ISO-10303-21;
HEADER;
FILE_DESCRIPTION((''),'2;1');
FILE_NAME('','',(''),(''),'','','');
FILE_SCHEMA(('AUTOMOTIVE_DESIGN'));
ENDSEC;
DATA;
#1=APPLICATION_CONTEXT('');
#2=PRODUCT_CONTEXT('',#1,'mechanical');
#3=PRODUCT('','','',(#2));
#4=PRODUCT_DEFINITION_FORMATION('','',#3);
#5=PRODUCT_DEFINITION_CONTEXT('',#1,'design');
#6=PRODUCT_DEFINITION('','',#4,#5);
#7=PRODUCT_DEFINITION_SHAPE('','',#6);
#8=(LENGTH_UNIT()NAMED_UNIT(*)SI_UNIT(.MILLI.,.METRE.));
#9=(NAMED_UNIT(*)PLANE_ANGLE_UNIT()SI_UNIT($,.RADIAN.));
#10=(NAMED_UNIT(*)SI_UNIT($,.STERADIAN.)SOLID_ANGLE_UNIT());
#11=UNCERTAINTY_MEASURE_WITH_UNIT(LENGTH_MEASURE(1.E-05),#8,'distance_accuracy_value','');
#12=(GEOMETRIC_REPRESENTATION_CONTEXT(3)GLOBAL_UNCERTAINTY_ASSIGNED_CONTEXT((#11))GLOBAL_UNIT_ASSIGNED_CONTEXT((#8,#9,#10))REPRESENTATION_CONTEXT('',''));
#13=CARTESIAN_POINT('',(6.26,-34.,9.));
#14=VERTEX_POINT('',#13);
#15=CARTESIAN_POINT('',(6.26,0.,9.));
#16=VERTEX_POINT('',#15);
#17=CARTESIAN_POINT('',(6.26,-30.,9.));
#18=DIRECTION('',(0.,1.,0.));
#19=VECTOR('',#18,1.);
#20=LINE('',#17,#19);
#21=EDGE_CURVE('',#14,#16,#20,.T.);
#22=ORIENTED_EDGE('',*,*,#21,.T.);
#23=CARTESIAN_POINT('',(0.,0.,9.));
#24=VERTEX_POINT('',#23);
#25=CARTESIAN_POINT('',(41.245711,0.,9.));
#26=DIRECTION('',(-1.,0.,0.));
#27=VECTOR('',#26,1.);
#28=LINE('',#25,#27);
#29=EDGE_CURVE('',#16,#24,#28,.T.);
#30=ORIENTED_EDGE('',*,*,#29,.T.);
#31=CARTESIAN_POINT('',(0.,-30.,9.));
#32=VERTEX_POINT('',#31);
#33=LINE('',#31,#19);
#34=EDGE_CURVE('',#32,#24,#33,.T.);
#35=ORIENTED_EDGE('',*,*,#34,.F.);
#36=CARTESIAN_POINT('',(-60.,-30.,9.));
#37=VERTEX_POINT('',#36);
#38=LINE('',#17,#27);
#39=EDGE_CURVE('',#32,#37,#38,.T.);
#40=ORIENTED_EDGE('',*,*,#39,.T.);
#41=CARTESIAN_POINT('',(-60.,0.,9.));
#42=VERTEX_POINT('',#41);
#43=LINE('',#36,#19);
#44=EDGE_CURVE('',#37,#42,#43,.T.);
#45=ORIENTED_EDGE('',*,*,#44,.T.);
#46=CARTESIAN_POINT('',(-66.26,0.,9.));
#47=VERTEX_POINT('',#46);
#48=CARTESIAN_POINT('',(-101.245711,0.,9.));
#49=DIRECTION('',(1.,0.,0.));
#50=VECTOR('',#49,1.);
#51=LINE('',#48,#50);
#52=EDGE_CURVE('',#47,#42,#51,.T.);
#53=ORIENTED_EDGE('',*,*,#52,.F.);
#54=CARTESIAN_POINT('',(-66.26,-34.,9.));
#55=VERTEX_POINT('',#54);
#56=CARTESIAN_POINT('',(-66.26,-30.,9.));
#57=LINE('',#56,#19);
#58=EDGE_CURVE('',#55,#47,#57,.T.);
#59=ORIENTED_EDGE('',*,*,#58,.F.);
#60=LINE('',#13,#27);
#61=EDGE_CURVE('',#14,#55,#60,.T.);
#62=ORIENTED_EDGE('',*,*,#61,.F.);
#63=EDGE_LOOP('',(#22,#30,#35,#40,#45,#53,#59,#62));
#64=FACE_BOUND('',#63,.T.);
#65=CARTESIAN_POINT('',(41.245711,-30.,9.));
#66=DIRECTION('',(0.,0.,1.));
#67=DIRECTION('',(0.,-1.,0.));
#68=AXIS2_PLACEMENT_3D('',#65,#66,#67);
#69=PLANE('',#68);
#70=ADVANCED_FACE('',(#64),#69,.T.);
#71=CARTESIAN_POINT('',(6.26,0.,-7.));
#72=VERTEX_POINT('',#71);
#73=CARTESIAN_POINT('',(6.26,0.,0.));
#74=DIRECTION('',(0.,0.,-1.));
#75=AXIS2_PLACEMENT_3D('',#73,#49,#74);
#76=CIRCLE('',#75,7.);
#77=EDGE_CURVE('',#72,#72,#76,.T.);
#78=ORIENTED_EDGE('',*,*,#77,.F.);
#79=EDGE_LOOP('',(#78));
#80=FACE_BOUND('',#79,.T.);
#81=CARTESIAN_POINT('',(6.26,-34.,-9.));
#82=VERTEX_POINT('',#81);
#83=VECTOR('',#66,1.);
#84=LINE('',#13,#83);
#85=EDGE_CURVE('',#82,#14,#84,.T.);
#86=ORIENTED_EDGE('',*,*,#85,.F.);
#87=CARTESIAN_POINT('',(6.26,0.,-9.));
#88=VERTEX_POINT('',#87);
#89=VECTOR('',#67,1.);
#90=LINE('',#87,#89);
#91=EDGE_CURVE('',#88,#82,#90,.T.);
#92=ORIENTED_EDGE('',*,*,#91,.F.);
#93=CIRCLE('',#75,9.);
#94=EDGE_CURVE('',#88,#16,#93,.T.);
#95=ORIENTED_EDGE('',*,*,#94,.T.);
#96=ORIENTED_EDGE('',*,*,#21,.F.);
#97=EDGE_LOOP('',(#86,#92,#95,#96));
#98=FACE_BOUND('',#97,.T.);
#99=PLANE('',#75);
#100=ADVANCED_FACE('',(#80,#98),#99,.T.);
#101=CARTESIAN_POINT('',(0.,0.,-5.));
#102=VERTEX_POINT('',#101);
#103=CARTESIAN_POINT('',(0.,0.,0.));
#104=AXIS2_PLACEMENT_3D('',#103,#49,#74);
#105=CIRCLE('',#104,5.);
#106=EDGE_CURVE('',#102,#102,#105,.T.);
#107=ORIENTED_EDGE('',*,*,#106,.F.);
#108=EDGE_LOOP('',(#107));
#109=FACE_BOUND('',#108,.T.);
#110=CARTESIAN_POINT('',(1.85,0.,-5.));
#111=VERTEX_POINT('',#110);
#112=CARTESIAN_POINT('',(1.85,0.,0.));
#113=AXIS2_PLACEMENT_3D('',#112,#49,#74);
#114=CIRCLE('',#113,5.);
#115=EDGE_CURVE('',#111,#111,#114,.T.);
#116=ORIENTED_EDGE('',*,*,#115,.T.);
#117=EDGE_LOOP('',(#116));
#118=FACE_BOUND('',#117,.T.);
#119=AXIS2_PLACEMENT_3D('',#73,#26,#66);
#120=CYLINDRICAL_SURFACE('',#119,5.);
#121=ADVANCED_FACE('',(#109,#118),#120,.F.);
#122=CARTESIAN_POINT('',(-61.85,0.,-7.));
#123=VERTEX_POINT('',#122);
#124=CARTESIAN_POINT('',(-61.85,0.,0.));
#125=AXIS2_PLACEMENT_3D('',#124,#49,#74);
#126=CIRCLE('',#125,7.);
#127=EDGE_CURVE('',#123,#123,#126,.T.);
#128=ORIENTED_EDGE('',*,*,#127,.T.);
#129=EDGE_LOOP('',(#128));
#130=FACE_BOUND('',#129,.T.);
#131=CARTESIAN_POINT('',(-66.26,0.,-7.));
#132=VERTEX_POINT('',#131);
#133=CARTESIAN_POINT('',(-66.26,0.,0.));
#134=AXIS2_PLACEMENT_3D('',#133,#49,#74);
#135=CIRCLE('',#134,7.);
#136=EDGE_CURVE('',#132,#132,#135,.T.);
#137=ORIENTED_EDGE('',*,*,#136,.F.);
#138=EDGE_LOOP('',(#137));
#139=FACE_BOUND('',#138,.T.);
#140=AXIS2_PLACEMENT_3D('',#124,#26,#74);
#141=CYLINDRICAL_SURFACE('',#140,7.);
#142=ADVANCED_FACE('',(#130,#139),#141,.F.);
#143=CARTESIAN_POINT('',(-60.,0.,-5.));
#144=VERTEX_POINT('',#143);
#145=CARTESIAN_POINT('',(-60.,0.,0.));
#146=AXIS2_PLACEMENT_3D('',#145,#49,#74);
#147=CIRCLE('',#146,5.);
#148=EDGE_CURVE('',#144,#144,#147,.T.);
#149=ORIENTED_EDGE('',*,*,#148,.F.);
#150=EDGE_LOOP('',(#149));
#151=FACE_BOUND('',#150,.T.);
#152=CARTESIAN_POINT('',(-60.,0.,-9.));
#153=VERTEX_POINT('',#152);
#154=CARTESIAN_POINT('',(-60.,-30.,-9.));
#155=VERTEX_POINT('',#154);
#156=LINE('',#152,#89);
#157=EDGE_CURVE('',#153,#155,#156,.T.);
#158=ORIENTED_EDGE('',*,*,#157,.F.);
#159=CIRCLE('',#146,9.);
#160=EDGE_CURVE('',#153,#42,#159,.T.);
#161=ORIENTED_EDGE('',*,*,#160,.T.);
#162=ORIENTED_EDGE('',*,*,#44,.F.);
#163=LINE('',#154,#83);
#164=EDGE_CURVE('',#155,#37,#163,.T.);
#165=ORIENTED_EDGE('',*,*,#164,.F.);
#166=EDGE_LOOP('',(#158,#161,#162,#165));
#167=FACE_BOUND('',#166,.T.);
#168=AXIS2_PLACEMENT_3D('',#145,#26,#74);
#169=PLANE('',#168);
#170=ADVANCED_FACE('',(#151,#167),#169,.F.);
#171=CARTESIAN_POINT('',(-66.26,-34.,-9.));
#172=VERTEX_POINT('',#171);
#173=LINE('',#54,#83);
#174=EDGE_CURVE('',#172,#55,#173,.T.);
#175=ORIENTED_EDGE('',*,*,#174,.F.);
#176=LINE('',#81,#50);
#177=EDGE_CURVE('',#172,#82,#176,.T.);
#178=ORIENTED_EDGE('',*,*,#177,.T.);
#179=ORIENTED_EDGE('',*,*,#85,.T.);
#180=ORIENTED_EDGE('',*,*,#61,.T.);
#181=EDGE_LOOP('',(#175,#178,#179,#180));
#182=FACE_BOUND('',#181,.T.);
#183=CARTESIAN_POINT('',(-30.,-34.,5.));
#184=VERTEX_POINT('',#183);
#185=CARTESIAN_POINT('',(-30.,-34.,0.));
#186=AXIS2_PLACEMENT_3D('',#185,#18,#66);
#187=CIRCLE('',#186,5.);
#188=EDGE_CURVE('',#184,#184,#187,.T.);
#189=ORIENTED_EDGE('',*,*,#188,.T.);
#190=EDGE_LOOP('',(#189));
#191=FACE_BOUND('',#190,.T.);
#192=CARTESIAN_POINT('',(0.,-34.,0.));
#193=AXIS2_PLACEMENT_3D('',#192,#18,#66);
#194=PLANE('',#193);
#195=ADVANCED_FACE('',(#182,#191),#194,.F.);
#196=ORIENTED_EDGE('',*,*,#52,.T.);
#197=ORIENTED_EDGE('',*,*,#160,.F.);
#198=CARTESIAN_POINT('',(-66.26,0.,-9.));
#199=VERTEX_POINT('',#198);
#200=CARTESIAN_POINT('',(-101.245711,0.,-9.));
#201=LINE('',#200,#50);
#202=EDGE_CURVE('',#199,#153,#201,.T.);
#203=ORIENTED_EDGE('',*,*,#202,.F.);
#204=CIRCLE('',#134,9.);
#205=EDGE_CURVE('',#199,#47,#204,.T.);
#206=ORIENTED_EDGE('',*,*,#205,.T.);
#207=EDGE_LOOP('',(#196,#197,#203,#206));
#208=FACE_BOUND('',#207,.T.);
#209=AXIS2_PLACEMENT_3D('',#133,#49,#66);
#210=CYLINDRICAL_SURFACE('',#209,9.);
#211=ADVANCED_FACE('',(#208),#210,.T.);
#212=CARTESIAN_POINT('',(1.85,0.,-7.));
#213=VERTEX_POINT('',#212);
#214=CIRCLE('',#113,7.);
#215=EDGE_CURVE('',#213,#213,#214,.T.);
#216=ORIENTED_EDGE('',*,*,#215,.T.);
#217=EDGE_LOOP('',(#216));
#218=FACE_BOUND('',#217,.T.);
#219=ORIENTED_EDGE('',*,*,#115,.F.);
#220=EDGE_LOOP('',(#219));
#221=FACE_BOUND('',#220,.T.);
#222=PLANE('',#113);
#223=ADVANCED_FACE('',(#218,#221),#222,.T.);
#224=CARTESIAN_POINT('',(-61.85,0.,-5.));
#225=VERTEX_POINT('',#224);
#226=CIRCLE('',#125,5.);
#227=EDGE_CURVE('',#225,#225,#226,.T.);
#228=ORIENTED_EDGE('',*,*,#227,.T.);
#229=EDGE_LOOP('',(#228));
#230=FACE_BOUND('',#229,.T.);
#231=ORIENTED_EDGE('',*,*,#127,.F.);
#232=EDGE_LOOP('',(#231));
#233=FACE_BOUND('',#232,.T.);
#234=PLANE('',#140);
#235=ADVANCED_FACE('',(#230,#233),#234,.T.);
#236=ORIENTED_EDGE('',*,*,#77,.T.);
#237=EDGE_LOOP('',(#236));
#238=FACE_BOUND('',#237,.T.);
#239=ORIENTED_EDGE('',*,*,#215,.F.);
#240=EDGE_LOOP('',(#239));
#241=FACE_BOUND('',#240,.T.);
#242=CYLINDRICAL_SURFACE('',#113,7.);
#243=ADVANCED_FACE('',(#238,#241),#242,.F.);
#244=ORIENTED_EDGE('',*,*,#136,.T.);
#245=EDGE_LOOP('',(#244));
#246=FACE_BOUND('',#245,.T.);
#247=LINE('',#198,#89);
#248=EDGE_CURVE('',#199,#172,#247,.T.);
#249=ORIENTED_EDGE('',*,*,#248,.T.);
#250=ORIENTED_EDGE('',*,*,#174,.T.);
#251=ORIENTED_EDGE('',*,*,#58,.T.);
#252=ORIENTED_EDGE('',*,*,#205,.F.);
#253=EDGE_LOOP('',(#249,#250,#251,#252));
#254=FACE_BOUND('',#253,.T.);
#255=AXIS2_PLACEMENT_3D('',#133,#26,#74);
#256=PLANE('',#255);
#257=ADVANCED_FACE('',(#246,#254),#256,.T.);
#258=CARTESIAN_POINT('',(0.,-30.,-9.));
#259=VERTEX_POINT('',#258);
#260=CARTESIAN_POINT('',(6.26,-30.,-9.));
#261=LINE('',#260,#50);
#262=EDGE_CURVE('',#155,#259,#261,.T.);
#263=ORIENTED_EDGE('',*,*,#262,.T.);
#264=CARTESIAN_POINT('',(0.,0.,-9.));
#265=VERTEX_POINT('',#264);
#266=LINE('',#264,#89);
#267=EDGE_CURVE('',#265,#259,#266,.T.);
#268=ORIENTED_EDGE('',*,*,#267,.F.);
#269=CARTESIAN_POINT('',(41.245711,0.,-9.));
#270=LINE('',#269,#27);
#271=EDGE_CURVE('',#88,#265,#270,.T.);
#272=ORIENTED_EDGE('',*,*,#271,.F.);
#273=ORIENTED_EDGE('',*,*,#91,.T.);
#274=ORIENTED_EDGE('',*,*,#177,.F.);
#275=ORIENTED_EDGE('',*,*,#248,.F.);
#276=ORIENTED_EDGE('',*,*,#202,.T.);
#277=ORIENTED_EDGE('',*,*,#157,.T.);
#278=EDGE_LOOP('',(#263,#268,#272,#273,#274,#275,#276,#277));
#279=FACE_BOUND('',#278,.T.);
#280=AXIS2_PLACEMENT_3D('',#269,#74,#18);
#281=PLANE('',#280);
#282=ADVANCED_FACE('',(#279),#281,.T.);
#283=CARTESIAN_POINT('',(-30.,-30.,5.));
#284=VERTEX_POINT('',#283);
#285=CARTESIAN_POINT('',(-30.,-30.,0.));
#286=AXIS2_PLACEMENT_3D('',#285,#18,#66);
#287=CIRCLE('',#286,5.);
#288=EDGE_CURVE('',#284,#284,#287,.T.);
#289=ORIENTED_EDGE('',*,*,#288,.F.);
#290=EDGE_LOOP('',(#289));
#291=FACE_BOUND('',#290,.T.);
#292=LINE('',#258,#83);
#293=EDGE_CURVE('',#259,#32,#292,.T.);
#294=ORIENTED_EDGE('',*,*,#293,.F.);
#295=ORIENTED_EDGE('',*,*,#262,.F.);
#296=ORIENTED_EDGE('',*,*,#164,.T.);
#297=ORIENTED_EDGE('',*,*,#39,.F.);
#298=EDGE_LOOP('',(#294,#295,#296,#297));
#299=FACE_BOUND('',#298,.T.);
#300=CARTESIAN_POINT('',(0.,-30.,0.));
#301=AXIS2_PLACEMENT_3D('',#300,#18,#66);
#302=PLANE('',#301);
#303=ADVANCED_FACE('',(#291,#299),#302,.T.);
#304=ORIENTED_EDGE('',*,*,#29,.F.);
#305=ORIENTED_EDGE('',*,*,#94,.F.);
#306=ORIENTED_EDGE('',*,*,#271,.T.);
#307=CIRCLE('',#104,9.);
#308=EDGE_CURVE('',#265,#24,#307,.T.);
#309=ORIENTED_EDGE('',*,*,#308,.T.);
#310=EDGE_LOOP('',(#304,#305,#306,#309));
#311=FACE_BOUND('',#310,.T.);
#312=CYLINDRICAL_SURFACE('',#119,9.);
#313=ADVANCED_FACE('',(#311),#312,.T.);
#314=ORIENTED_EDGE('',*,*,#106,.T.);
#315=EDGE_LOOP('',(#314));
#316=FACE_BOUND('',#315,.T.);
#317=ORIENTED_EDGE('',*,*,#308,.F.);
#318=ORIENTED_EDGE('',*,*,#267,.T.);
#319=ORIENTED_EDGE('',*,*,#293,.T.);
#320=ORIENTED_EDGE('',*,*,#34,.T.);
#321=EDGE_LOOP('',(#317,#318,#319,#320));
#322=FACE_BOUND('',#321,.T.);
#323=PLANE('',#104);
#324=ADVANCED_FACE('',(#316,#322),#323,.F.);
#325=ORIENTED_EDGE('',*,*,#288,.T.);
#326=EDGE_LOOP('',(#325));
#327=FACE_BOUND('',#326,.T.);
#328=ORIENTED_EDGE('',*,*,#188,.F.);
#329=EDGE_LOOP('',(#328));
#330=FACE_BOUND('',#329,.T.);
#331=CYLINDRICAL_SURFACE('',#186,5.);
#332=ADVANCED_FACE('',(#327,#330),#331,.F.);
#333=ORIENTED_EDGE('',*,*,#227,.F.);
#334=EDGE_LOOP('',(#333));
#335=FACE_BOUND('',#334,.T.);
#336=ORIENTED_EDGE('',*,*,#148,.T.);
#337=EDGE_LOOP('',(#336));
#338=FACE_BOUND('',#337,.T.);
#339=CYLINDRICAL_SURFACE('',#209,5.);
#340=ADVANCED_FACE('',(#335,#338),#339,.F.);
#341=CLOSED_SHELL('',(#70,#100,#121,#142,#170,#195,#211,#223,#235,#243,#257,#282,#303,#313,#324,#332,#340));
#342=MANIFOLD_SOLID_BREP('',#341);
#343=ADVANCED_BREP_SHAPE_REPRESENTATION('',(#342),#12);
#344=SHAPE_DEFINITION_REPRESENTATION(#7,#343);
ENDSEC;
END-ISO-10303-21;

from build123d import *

# Parameters (mm, degrees)
SKETCH1_R           = 9
SKETCH1_R_2         = 5
BOSS_EXTRUDE1_DEPTH = 6.26
BOSS_EXTRUDE2_DEPTH = 6.26
SKETCH2_R           = 7
CUT_EXTRUDE1_DEPTH  = 4.41
SKETCH4_W           = 36.26
SKETCH4_H           = 18
BOSS_EXTRUDE3_DEPTH = 4
SKETCH5_R           = 5
CUT_EXTRUDE2_DEPTH  = 5


with BuildPart() as part:
    # Sketch1 → Boss-Extrude1 (new body)
    with BuildSketch(Plane(origin=(0, 0, 0), x_dir=(0, 0, -1), z_dir=(1, 0, 0))):
        Circle(SKETCH1_R)
        Circle(SKETCH1_R_2, mode=Mode.SUBTRACT)
    extrude(amount=BOSS_EXTRUDE1_DEPTH)

    # Sketch3 → Boss-Extrude2 (add)
    with BuildSketch(Plane.ZY):
        with BuildLine():
            Line((-9, 0), (-9, -30))
            Line((-9, -30), (9, -30))
            Line((9, -30), (9, 0))
            Line((9, 0), (5, 0))
            ThreePointArc((5, 0), (0, -5), (-5, 0))
            Line((-5, 0), (-9, 0))
        make_face()
    extrude(amount=-BOSS_EXTRUDE2_DEPTH)

    # Sketch2 → Cut-Extrude1 (cut)
    with BuildSketch(Plane(origin=(6.26, 0, 0), x_dir=(0, 0, -1), z_dir=(1, 0, 0))):
        Circle(SKETCH2_R)
    extrude(amount=-CUT_EXTRUDE1_DEPTH, mode=Mode.SUBTRACT)

    # Sketch4 → Boss-Extrude3 (add)
    with BuildSketch(Plane.XZ.offset(30)):
        with Locations((-11.87, 0)):
            Rectangle(SKETCH4_W, SKETCH4_H)
    extrude(amount=BOSS_EXTRUDE3_DEPTH)

    # Mirror2: part across plane


with BuildPart() as part_1:
    add(part.part)
    add(part.part.mirror(Plane(origin=(-30, -34, 9), x_dir=(0, 0, 1), z_dir=(1, 0, 0))))

    # Sketch5 → Cut-Extrude2 (cut, through all)
    with BuildSketch(Plane(origin=(0, -30, 0), x_dir=(1, 0, 0), z_dir=(0, 1, 0))):
        with Locations((-30, 0)):
            Circle(SKETCH5_R)
    extrude(amount=-CUT_EXTRUDE2_DEPTH, mode=Mode.SUBTRACT)


solid = part_1.part
